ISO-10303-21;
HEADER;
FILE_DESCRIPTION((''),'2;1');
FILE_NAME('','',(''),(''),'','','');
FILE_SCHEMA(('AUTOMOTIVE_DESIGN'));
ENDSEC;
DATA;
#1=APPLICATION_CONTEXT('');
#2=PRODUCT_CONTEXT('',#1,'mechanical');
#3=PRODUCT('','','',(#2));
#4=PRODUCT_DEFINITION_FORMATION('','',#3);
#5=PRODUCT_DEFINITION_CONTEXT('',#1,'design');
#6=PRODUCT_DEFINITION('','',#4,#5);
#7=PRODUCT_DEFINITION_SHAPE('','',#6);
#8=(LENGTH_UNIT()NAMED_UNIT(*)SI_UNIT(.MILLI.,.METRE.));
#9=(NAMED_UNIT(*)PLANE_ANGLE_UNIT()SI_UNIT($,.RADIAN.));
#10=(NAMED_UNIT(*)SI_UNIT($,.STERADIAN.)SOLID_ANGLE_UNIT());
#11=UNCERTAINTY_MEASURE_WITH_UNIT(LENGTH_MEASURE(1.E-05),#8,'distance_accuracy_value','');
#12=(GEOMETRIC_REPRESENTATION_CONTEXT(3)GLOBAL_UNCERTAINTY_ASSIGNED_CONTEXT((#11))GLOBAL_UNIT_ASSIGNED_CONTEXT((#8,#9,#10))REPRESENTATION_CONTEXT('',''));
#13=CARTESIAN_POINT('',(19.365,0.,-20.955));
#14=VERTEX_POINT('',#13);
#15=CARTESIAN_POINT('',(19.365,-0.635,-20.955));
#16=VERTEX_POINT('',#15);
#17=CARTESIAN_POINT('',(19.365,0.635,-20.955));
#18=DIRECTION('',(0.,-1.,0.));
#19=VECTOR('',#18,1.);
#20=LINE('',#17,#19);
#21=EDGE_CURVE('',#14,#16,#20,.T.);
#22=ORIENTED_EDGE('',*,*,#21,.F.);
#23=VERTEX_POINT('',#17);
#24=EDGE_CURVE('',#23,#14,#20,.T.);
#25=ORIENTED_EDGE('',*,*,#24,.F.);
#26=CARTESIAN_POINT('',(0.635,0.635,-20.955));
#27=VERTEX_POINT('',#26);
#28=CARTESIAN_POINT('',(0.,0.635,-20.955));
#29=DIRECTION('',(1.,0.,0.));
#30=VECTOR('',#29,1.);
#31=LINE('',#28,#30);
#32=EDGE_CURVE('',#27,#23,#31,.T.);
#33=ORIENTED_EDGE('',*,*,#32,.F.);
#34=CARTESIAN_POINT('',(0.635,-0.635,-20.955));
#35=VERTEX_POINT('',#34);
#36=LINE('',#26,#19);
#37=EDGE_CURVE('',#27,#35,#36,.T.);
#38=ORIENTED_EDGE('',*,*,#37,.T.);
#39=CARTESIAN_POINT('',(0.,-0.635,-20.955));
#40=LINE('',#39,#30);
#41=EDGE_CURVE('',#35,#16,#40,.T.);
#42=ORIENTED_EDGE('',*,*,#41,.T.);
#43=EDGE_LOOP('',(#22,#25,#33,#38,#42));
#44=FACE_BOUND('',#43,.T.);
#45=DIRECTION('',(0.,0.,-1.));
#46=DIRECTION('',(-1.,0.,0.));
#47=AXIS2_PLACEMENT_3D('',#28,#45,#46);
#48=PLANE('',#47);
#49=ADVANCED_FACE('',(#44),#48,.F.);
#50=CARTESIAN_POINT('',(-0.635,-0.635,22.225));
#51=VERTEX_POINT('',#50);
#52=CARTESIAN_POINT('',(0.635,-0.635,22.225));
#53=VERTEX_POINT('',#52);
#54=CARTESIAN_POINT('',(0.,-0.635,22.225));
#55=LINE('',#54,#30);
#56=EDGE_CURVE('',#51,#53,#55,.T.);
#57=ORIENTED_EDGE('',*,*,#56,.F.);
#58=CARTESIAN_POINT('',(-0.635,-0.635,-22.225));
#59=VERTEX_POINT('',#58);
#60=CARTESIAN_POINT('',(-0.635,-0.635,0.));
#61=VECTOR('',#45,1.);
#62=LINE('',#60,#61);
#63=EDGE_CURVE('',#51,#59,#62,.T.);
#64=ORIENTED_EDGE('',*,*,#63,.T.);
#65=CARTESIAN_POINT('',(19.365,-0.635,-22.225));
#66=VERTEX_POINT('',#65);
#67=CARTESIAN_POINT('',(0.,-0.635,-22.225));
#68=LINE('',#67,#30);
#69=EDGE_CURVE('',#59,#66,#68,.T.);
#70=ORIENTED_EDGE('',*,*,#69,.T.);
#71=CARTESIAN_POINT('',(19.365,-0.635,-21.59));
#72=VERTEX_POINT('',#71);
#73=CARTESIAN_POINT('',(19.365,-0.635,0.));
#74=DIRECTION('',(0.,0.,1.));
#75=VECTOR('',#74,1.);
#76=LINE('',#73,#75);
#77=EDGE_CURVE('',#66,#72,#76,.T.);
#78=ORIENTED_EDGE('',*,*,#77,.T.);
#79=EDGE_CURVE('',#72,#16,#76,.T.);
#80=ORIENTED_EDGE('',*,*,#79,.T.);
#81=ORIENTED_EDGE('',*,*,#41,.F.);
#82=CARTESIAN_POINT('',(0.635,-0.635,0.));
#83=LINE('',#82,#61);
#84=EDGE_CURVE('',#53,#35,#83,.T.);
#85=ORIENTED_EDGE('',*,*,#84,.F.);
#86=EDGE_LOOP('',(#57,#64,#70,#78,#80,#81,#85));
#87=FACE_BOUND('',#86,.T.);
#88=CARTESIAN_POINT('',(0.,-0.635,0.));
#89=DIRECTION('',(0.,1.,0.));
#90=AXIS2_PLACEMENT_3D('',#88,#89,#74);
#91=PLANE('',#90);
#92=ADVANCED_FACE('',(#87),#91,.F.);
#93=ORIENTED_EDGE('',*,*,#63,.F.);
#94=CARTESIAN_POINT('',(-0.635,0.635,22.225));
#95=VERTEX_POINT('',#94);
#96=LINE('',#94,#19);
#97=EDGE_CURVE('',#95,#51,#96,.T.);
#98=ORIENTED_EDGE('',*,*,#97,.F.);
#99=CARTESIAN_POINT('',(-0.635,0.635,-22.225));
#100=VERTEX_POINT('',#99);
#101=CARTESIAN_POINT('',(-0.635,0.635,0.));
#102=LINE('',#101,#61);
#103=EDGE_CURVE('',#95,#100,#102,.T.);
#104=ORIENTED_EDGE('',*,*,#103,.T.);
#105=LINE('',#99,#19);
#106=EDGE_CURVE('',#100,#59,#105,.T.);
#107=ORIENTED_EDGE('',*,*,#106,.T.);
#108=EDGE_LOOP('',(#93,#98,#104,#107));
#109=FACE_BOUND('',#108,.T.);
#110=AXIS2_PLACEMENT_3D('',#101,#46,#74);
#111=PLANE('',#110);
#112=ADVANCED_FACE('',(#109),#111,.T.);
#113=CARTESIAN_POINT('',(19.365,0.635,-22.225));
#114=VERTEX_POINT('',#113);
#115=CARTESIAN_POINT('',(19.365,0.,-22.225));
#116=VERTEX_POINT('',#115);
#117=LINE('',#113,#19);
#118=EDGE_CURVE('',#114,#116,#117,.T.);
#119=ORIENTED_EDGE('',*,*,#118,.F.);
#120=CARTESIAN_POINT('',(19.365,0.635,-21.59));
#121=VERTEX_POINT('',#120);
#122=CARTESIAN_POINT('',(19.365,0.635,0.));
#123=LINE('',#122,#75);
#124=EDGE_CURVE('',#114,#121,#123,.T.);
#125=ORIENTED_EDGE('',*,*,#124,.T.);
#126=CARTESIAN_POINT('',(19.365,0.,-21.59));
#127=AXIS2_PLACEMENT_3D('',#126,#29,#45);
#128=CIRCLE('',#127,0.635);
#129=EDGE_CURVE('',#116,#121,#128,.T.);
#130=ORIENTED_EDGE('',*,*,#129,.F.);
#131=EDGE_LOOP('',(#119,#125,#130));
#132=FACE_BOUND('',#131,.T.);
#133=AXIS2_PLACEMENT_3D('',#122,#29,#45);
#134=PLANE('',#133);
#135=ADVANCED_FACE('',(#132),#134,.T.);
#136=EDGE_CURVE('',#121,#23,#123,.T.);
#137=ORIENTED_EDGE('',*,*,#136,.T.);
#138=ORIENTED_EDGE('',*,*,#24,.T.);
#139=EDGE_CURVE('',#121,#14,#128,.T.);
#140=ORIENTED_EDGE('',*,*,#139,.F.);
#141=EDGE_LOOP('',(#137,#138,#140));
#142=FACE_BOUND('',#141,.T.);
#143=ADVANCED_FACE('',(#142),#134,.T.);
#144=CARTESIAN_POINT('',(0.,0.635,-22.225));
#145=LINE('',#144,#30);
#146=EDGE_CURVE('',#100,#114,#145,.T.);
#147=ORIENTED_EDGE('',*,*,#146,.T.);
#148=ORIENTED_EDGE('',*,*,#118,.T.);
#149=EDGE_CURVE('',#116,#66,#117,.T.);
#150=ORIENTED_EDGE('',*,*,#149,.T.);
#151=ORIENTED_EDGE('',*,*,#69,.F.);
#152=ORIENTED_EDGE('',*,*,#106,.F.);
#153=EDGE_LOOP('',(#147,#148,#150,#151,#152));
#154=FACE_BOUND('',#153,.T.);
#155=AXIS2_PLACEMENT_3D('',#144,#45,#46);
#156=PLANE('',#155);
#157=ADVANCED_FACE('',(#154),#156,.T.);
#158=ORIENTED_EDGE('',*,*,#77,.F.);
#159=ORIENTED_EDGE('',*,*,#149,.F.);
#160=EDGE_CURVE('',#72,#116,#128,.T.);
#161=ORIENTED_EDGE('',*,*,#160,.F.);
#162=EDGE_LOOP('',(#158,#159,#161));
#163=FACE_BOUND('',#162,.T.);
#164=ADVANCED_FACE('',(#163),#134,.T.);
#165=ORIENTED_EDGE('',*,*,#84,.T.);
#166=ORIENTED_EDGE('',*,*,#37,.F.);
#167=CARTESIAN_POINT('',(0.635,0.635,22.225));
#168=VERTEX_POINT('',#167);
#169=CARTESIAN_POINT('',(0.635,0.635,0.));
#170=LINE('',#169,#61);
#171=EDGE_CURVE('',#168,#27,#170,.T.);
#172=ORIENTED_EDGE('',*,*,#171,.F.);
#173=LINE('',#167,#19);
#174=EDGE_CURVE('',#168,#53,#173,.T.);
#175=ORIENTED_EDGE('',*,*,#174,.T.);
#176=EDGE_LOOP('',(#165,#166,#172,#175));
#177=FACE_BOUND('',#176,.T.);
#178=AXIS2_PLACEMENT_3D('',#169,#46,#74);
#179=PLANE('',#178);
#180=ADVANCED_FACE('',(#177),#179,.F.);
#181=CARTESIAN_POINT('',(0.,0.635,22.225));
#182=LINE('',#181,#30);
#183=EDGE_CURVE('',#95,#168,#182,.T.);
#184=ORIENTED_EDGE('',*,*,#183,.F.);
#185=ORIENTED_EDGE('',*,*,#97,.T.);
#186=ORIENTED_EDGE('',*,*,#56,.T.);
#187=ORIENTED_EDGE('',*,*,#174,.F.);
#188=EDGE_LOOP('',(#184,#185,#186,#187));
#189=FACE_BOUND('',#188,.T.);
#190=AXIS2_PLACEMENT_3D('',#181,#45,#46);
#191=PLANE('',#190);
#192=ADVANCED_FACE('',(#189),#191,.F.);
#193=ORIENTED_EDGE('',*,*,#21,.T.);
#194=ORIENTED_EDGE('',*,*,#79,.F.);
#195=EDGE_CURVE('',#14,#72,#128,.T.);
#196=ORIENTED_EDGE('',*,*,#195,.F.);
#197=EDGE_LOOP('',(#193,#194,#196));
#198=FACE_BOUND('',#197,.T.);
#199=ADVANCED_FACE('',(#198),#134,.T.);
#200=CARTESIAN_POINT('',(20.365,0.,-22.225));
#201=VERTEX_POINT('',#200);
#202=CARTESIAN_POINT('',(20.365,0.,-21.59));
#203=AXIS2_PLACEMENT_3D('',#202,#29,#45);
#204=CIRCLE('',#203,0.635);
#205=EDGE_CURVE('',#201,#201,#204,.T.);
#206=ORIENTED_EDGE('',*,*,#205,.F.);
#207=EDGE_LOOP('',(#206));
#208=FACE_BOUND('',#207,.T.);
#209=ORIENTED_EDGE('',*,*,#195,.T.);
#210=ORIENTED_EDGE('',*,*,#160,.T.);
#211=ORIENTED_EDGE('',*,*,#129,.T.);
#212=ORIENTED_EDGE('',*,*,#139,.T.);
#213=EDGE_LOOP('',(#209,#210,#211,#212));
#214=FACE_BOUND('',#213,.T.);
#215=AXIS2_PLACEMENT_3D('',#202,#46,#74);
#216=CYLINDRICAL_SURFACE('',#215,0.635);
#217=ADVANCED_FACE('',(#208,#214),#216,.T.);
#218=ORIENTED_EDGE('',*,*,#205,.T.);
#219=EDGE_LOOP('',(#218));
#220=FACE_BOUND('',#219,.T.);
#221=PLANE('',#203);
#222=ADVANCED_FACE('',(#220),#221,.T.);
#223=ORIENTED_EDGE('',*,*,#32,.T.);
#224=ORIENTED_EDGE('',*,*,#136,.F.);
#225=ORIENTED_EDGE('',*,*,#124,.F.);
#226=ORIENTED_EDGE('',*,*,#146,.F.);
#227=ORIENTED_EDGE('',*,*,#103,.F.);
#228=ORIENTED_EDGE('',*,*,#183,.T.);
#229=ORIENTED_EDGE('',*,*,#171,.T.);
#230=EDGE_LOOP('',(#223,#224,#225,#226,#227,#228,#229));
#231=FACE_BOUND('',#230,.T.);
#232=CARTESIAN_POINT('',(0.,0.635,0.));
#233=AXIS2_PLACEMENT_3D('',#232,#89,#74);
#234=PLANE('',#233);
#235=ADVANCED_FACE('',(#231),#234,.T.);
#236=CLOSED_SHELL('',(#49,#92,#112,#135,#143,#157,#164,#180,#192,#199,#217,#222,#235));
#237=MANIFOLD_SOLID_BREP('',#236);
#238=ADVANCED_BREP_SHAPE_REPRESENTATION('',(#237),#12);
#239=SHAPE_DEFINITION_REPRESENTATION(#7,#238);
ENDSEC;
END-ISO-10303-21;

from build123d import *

# Parameters (mm, degrees)
SKETCH1_W           = 18.73
SKETCH1_H           = 1.27
SKETCH1_W_2         = 1.27
SKETCH1_H_2         = 43.18
BOSS_EXTRUDE1_DEPTH = 0.635
SKETCH2_R           = 0.635
BOSS_EXTRUDE2_DEPTH = 1


with BuildPart() as part:
    # Sketch1 → Boss-Extrude1 (new body, symmetric)
    with BuildSketch(Plane(origin=(0, 0, 0), x_dir=(1, 0, 0), z_dir=(0, 1, 0))):
        with Locations((10, 21.59)):
            Rectangle(SKETCH1_W, SKETCH1_H)
        with Locations((0, 21.59)):
            Rectangle(SKETCH1_W_2, SKETCH1_H)
        with Locations((0, -0.635)):
            Rectangle(SKETCH1_W_2, SKETCH1_H_2)
    extrude(amount=BOSS_EXTRUDE1_DEPTH, both=True)

    # Sketch2 → Boss-Extrude2 (add)
    with BuildSketch(Plane(origin=(19.365, 0, 0), x_dir=(0, 0, -1), z_dir=(1, 0, 0))):
        with Locations((21.59, 0)):
            Circle(SKETCH2_R)
    extrude(amount=BOSS_EXTRUDE2_DEPTH)


solid = part.part
